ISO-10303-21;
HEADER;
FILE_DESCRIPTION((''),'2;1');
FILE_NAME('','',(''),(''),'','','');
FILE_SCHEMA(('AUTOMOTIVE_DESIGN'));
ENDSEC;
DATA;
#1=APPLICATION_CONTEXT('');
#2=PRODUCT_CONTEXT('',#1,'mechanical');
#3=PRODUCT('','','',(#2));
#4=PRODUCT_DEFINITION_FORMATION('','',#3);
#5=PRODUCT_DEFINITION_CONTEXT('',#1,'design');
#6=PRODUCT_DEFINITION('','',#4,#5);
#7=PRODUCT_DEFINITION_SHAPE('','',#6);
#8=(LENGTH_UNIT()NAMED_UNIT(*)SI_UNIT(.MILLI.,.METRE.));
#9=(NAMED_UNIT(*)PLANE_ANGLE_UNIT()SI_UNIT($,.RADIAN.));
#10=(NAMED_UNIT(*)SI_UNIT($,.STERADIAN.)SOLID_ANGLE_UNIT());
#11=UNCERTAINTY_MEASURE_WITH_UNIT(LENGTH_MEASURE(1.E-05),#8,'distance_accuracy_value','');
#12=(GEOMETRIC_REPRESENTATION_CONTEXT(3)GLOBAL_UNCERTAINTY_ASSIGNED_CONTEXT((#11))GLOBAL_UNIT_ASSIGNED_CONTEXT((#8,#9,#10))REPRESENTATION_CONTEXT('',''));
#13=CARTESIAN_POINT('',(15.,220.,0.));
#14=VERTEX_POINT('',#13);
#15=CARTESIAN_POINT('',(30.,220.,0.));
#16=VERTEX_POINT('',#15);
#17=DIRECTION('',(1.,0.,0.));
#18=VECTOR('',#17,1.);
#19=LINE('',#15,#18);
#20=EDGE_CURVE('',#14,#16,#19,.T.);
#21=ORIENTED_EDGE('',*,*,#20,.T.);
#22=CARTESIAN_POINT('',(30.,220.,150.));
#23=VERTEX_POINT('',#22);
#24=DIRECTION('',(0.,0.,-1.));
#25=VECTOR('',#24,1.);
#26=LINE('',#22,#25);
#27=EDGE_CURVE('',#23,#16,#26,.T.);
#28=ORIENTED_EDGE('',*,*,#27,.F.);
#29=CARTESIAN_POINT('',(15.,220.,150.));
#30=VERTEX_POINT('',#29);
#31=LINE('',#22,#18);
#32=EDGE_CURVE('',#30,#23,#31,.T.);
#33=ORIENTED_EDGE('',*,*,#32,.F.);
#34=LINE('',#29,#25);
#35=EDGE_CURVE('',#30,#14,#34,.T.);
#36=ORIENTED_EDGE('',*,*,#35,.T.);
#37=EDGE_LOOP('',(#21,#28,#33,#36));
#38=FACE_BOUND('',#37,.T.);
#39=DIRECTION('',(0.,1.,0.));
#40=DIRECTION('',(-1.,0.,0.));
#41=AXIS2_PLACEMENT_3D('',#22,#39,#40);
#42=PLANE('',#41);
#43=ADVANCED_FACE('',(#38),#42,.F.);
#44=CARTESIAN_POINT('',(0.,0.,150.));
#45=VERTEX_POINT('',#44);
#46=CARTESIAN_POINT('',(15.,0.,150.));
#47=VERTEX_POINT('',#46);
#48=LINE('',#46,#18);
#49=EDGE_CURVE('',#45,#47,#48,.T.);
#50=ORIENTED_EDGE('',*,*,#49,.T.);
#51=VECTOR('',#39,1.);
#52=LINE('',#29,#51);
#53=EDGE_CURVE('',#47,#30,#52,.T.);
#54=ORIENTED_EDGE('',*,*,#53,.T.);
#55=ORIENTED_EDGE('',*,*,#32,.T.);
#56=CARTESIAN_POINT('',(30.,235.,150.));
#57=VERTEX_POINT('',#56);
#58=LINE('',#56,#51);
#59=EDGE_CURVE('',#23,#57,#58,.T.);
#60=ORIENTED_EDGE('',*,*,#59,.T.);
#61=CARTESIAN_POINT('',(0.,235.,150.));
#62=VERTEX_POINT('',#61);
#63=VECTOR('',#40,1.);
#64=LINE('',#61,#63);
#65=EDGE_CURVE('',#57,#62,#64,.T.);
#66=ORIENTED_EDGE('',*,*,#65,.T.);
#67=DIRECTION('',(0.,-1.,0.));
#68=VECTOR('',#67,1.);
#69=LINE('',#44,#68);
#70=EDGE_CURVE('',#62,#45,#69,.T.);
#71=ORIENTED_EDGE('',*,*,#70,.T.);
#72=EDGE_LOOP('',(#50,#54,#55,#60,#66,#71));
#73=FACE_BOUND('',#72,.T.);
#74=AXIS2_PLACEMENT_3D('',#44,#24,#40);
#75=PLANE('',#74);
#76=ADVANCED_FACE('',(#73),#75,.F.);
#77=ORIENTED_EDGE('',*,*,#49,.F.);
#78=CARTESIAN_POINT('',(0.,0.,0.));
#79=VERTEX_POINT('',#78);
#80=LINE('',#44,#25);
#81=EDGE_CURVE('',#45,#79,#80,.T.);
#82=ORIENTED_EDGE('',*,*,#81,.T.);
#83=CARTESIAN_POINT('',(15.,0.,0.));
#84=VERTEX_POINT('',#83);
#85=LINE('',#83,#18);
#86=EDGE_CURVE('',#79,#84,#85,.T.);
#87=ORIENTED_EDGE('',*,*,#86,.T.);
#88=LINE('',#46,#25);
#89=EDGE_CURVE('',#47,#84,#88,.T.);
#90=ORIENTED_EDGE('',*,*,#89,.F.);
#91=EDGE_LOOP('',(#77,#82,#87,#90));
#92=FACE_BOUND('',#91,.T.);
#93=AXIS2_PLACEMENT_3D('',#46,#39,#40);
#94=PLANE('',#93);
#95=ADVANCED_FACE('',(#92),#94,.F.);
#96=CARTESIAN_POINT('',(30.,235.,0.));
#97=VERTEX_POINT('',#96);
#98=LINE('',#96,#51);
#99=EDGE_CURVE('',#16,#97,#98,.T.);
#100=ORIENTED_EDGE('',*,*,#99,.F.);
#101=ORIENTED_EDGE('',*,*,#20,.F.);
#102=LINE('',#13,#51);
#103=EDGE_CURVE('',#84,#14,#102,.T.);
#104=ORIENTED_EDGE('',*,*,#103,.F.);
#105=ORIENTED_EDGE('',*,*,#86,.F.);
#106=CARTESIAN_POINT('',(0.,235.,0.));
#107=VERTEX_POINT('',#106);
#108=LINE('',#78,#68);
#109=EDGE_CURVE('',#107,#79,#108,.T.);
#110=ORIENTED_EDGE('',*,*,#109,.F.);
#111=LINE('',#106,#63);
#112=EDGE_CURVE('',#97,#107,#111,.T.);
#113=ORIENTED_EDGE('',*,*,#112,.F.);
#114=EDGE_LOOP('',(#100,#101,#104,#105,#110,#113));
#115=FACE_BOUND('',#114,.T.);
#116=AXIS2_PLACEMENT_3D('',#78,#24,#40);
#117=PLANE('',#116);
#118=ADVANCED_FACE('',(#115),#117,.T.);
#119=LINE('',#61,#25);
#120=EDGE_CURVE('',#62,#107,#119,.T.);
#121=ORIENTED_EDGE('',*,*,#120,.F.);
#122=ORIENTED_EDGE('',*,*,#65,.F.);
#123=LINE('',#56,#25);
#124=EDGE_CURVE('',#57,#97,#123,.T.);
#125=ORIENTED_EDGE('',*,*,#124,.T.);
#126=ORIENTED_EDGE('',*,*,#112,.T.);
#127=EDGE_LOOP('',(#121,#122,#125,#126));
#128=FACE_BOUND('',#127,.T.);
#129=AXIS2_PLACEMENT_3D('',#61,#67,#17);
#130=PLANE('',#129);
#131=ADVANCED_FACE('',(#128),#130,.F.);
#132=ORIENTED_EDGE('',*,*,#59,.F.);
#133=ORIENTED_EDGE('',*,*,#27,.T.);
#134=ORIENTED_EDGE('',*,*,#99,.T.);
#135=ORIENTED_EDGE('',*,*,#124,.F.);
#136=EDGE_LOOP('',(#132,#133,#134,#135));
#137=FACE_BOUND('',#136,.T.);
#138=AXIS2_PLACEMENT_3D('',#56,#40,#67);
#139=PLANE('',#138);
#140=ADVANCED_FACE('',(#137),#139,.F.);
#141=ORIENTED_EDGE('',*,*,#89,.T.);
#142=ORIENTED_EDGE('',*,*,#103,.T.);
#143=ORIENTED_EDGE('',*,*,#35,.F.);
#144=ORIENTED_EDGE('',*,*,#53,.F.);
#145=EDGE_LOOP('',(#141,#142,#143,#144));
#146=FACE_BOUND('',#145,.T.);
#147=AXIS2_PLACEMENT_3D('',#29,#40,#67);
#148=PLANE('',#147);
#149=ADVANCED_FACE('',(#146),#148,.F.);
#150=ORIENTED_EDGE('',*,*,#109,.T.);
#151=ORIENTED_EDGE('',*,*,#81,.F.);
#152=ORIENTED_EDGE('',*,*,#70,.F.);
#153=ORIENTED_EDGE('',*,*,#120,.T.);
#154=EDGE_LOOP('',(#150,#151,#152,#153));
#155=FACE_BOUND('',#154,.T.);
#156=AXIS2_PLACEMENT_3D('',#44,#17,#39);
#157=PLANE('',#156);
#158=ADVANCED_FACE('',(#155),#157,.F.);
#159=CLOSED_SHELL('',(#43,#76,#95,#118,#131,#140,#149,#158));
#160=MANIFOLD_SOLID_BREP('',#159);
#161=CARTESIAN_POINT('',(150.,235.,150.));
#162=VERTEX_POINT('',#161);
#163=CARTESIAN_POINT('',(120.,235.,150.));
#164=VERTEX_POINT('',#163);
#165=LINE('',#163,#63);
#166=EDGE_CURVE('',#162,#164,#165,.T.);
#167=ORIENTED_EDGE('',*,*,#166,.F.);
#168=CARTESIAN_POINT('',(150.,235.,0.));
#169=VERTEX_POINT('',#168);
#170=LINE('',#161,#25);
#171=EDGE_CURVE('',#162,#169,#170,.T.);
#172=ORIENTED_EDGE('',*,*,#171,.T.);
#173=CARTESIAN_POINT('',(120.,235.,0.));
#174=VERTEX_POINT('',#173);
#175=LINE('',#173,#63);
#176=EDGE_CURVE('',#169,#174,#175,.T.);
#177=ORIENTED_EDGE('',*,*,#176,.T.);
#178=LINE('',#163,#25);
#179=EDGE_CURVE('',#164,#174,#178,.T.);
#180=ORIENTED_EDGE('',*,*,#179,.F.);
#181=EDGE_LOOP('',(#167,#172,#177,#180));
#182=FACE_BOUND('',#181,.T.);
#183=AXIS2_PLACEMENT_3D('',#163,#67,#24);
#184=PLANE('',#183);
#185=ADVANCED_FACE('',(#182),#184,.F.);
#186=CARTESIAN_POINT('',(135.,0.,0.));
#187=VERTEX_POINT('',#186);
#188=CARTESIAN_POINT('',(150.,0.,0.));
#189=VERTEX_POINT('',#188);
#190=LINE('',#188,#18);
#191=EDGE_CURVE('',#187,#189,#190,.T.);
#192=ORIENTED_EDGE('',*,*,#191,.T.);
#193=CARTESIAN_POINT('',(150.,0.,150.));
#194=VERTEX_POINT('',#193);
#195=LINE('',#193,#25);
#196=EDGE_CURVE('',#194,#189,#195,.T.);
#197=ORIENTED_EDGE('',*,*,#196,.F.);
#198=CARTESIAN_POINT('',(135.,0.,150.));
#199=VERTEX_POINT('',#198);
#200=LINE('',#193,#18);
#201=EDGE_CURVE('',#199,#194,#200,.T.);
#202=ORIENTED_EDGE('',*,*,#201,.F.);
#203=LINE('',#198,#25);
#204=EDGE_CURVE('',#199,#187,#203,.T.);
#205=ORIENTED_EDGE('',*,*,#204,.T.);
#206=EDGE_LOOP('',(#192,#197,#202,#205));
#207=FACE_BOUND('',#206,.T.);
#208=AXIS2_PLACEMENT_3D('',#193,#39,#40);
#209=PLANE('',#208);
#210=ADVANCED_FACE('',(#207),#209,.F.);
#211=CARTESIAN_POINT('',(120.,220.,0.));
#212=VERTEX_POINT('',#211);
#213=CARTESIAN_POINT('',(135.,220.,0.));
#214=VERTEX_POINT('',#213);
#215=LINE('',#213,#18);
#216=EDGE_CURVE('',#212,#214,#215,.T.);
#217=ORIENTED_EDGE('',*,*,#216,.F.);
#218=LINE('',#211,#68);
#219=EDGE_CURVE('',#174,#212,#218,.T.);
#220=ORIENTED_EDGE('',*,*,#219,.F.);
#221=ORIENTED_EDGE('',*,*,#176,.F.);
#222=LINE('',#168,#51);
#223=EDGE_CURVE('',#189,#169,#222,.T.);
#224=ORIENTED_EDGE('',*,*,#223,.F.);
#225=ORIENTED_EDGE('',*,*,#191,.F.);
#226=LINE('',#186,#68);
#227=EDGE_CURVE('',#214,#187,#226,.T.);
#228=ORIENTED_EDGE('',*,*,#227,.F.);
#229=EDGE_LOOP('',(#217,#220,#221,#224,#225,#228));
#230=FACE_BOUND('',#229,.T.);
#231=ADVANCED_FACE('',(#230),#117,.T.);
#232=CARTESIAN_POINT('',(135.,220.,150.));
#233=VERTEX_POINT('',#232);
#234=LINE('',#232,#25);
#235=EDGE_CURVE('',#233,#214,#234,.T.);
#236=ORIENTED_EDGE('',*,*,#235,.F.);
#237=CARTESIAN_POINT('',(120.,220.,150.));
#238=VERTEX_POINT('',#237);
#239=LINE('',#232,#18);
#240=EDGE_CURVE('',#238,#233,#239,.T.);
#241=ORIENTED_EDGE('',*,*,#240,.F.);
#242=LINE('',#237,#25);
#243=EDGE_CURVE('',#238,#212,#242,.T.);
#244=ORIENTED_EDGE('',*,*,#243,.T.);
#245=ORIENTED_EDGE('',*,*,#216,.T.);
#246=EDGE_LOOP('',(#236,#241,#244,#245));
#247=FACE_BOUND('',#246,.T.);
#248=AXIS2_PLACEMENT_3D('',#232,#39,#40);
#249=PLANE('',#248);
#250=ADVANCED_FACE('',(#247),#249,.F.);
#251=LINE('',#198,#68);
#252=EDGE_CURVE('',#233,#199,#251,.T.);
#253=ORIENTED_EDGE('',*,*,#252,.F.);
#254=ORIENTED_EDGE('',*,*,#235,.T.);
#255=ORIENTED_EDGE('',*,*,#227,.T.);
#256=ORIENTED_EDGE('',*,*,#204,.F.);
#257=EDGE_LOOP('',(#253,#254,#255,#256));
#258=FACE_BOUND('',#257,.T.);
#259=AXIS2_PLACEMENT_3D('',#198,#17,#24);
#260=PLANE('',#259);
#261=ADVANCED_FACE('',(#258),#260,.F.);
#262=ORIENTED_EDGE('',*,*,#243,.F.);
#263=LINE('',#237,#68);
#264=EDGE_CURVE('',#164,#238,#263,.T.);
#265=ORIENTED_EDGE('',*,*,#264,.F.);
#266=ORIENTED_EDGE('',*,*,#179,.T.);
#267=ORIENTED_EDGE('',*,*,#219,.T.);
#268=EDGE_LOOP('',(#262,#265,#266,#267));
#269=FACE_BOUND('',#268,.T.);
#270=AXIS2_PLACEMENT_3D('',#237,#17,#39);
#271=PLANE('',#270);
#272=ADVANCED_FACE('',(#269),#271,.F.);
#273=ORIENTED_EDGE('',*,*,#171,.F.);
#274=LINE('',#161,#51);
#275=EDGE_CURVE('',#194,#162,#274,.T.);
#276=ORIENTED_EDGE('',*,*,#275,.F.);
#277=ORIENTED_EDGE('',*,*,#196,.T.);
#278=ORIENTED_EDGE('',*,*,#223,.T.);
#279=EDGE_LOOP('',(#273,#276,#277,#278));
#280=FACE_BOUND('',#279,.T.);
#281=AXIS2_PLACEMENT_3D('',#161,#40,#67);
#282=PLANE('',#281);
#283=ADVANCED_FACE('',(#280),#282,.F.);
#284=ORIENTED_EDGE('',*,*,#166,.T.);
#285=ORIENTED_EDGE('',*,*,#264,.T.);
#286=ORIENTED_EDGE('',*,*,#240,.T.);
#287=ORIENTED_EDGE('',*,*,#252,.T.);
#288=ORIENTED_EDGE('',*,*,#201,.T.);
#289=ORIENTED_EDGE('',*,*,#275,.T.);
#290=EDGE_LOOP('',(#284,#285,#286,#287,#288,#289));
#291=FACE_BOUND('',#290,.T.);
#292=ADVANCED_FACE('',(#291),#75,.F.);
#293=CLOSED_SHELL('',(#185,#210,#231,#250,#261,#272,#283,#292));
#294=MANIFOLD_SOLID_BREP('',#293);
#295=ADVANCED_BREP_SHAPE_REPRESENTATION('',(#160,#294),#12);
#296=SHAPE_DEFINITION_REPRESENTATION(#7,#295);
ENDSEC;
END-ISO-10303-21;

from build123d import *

# Parameters (mm, degrees)
BOSS_EXTRUDE1_DEPTH   = 150
BOSS_EXTRUDE1_2_DEPTH = 150


with BuildPart() as part:
    # Sketch1 → Boss-Extrude1 (new body)
    with BuildSketch(Plane.XY):
        Polygon((0, 0), (0, 235), (30, 235), (30, 220), (15, 220), (15, 0), align=None)
    extrude(amount=BOSS_EXTRUDE1_DEPTH)


with BuildPart() as body_2:
    # Sketch1 → Boss-Extrude1 2 (new body)
    with BuildSketch(Plane.XY):
        Polygon((135, 0), (135, 220), (120, 220), (120, 235), (150, 235), (150, 0), align=None)
    extrude(amount=BOSS_EXTRUDE1_2_DEPTH)


solid = Compound([part.part, body_2.part])
